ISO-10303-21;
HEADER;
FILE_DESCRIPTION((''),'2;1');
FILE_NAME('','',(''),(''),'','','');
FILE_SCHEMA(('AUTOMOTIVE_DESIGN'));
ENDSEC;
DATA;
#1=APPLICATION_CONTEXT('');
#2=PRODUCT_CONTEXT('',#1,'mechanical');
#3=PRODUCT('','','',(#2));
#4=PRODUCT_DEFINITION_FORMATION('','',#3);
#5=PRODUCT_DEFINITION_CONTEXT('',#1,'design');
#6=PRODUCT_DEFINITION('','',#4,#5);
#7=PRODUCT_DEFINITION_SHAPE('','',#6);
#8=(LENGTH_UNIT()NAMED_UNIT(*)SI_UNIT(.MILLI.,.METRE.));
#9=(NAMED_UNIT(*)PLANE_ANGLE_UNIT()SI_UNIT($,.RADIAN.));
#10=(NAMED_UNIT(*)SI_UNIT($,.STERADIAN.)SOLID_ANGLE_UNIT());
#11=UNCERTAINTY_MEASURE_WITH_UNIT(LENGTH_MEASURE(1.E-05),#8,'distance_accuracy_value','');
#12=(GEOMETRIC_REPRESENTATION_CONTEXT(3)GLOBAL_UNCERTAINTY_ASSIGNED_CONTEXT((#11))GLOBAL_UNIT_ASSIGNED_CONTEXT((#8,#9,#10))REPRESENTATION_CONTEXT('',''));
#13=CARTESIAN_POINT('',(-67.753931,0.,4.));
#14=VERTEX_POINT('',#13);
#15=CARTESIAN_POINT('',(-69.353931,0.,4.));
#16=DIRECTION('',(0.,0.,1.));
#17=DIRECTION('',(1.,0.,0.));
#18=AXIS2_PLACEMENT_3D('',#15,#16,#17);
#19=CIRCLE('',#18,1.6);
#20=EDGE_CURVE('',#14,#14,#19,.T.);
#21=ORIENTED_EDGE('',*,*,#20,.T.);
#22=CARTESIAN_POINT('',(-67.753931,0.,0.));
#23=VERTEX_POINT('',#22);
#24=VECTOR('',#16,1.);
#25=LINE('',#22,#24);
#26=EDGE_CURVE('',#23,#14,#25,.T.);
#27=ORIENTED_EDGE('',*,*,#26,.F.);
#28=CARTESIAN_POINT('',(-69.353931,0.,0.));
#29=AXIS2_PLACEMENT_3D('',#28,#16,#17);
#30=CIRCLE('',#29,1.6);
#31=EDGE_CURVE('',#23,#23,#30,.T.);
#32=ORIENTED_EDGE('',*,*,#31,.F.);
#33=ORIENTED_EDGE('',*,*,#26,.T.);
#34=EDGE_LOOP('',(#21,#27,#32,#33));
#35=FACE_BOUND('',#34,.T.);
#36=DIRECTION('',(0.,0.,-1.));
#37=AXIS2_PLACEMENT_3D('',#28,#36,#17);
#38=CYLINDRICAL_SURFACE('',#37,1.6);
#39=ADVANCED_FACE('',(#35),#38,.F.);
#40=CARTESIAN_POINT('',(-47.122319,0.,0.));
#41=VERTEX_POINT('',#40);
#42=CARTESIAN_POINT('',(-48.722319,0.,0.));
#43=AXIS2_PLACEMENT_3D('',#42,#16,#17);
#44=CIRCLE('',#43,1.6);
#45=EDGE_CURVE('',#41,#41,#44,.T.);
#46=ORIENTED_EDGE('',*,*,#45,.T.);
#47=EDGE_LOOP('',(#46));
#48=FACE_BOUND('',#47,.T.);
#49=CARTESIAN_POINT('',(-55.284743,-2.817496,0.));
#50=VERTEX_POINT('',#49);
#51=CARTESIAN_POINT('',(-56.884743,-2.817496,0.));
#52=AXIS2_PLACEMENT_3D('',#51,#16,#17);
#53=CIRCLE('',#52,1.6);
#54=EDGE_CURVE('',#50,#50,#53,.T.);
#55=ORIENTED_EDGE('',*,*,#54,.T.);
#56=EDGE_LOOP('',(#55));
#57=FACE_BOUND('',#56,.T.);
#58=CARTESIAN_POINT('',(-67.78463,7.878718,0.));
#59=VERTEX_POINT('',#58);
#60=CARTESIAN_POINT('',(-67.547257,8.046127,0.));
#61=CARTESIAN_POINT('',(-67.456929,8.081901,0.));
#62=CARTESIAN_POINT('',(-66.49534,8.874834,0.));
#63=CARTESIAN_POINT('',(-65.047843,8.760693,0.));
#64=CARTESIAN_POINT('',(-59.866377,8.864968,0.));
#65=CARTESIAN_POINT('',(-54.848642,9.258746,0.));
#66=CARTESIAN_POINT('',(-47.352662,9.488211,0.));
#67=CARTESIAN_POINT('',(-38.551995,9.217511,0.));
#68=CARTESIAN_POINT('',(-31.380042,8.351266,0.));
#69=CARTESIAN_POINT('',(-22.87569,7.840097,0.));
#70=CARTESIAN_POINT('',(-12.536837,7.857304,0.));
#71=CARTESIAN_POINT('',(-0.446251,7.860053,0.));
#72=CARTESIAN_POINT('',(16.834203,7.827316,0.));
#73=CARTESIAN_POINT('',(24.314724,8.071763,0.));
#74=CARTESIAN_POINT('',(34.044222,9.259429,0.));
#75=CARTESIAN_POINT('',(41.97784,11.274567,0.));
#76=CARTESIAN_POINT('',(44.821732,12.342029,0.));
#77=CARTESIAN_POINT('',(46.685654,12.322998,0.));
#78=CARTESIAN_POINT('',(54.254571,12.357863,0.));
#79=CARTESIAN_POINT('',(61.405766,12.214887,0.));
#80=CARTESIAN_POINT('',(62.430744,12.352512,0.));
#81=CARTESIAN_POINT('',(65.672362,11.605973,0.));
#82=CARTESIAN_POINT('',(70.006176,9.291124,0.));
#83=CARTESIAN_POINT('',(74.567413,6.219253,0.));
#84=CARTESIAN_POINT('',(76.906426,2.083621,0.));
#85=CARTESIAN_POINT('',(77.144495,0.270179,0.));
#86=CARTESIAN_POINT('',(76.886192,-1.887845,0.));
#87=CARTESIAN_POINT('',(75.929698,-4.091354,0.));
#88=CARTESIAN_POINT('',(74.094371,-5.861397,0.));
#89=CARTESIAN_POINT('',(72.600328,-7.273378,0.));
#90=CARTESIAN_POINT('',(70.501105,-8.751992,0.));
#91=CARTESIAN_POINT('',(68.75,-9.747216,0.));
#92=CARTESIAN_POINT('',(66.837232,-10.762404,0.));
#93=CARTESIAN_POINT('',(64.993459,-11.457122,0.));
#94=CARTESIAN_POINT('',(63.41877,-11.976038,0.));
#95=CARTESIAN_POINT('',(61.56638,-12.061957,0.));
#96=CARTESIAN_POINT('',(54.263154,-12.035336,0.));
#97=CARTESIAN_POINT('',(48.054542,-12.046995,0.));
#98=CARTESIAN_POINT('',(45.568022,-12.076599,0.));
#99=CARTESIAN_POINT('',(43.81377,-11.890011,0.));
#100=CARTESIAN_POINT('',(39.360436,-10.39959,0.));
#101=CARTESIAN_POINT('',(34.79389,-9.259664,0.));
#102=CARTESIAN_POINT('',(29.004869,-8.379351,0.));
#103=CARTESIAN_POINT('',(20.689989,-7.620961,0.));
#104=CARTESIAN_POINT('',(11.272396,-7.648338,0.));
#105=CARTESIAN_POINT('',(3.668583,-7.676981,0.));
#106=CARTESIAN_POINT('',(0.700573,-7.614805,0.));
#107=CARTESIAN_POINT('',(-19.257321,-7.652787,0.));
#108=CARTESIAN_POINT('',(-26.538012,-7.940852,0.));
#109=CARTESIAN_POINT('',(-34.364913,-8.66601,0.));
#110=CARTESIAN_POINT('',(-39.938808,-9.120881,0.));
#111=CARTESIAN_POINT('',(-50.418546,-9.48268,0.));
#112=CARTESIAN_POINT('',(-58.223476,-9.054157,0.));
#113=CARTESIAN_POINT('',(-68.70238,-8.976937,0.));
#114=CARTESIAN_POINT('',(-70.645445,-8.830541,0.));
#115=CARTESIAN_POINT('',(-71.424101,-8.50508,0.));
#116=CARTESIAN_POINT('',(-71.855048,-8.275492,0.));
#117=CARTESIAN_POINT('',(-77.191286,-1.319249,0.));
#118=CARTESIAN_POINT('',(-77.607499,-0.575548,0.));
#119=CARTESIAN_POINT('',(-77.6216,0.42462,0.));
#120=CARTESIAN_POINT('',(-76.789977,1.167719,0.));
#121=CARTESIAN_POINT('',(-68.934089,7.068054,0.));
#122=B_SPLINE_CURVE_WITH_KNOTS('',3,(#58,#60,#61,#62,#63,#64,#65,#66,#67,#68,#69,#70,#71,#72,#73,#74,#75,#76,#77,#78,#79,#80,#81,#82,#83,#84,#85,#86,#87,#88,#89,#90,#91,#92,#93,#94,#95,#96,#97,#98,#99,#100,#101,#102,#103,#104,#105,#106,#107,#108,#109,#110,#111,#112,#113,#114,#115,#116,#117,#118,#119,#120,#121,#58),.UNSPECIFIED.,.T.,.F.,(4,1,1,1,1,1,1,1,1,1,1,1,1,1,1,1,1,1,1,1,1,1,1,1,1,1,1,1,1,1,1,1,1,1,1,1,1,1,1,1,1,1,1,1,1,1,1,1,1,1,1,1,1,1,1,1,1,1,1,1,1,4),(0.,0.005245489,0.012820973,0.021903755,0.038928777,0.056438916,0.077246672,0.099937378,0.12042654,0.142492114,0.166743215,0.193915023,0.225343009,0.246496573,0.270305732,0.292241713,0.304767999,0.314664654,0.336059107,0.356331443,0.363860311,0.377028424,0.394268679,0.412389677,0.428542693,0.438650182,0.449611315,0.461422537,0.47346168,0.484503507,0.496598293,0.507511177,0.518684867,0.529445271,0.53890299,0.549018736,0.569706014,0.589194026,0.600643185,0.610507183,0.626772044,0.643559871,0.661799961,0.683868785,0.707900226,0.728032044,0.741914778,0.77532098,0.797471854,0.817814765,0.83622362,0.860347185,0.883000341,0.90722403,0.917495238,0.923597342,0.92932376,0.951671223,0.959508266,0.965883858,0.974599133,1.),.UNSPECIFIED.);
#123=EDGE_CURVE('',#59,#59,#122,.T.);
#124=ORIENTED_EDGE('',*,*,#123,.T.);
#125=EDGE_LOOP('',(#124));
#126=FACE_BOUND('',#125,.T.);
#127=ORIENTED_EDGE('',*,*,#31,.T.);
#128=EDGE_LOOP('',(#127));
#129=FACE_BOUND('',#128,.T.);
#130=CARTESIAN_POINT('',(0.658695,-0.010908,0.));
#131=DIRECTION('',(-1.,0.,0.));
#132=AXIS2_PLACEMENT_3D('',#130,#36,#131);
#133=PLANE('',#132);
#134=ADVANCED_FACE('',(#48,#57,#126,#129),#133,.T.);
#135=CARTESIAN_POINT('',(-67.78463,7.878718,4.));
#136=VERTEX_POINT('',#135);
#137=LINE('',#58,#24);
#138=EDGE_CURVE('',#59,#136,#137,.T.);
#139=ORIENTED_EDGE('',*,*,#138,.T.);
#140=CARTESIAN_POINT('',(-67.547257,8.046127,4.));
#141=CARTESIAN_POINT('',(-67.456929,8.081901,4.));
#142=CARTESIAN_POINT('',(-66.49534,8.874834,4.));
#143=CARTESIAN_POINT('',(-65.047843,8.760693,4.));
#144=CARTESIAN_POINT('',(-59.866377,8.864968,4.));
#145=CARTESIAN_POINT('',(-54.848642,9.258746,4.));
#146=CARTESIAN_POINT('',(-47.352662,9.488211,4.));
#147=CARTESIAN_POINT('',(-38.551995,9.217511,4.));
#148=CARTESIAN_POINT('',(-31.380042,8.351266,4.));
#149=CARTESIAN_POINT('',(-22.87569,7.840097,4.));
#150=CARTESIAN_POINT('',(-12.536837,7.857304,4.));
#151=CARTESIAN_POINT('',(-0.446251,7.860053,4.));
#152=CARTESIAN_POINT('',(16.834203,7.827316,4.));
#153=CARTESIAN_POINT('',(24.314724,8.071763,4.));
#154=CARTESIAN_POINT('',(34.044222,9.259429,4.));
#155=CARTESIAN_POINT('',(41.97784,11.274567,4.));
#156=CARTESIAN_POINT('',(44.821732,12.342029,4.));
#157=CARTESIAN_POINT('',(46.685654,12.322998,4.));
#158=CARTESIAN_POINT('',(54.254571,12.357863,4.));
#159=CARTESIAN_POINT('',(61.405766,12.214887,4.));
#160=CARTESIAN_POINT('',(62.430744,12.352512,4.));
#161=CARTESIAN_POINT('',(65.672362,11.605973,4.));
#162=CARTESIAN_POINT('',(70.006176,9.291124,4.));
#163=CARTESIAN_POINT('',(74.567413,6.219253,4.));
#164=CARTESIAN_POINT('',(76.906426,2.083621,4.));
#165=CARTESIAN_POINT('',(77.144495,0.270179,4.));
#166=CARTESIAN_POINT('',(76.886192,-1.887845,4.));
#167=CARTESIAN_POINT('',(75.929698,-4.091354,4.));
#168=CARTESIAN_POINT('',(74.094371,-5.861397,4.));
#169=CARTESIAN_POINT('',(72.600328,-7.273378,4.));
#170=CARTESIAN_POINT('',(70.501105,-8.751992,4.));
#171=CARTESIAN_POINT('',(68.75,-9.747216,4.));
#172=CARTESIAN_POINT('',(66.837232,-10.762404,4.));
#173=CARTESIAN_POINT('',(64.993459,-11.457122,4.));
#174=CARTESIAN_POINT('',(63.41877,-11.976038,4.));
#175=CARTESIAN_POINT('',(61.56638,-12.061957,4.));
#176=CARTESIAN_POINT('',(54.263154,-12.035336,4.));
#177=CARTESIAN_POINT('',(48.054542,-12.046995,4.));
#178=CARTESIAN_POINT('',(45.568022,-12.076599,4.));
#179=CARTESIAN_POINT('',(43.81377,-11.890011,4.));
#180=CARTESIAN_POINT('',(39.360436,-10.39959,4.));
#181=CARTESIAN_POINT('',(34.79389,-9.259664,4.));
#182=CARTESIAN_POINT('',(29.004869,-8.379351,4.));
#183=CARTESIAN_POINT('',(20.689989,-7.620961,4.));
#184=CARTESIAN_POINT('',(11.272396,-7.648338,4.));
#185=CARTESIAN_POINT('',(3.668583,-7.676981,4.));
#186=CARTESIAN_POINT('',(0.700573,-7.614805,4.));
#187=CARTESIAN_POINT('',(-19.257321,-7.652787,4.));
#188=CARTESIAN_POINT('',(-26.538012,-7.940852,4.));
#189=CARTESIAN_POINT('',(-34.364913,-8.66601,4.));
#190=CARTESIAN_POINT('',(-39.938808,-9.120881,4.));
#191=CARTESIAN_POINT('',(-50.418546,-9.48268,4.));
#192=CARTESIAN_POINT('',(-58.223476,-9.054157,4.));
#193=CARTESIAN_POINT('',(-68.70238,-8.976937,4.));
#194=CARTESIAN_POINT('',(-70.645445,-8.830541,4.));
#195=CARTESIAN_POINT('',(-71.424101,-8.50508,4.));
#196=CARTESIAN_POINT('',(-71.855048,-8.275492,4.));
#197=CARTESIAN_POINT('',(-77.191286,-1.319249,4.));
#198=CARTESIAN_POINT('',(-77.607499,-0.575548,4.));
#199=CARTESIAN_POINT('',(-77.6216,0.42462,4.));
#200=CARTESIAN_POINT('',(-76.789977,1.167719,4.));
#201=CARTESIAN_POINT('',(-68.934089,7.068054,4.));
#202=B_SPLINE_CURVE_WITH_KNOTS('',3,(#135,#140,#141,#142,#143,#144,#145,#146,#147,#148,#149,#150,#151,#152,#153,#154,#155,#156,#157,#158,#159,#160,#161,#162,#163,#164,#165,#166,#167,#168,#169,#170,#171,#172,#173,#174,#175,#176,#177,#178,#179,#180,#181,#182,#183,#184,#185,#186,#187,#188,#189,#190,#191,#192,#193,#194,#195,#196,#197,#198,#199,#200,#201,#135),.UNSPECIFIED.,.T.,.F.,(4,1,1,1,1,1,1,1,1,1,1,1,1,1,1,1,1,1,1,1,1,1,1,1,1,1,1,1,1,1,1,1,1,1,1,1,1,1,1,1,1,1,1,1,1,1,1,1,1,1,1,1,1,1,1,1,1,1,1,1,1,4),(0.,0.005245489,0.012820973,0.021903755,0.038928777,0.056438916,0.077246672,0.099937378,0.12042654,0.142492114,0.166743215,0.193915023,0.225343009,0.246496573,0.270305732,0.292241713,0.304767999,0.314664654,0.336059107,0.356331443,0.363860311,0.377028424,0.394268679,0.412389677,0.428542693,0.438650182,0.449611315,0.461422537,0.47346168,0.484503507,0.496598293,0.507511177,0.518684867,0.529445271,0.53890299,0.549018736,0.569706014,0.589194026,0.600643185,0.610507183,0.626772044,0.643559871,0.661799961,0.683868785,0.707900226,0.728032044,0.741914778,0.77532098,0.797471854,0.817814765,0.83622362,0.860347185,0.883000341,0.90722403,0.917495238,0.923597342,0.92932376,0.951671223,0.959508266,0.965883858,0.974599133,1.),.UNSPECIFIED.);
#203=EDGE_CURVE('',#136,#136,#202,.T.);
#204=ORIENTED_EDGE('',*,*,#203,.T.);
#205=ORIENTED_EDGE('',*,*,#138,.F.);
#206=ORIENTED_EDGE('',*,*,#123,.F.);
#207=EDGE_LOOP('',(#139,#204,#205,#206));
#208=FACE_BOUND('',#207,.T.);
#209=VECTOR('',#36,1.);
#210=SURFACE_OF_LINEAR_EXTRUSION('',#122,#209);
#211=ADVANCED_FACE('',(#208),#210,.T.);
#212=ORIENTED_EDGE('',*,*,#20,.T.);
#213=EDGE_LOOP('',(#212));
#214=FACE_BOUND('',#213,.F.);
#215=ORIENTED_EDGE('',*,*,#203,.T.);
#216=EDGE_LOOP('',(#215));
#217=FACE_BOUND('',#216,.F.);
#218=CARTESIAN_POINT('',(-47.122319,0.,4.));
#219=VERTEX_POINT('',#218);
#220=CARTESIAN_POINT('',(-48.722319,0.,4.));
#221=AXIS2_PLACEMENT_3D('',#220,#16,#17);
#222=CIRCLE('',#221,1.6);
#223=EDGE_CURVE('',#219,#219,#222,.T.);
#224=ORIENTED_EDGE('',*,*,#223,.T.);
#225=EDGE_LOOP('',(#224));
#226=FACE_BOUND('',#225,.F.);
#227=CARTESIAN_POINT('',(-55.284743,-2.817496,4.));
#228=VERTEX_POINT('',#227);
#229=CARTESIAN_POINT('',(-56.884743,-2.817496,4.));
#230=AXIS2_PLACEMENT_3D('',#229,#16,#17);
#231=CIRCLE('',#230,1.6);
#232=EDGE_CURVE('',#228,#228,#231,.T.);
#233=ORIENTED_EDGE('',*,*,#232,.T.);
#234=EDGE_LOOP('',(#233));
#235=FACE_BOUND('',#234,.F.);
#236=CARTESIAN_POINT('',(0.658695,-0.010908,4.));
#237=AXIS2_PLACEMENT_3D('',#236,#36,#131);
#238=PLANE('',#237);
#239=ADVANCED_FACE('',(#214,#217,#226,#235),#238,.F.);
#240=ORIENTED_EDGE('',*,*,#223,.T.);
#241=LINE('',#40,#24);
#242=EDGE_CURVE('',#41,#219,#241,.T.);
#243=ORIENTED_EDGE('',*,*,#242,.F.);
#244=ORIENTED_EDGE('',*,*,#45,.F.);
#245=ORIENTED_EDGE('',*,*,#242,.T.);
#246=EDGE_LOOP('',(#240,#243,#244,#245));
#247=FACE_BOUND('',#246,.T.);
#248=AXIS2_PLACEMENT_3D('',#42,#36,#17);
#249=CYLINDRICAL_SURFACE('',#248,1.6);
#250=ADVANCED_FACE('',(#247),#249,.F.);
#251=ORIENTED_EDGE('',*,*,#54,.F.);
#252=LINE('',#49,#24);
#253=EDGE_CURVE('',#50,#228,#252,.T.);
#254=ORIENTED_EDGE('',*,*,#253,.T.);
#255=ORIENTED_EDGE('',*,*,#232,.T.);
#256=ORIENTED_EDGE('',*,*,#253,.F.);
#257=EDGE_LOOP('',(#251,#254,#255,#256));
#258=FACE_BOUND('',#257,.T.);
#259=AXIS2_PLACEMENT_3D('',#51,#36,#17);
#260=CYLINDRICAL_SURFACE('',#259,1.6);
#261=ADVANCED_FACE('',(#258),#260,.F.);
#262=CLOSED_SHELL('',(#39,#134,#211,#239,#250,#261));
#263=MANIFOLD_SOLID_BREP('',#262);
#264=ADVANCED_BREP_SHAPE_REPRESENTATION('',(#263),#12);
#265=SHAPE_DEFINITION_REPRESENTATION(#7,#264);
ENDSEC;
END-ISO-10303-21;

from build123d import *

# Parameters (mm, degrees)
F1_R     = 1.6
F2_DEPTH = 4


with BuildPart() as f2:
    # F1 (on Top) → F2 (new body)
    with BuildSketch(Plane.XY):
        with BuildLine():
            add(Edge.make_bspline(
                [(-67.7846300052, 7.8787184763), (-67.5472572237, 8.0461274543), (-67.456928646, 8.0819010692), (-66.4953398296, 8.8748337097), (-65.0478426523, 8.760692807), (-59.8663770002, 8.8649681938), (-54.8486422575, 9.2587462651), (-47.3526618817, 9.4882106445), (-38.5519947494, 9.2175107683), (-31.3800423987, 8.3512661737), (-22.8756902867, 7.8400972455), (-12.5368369225, 7.857304236), (-0.4462505951, 7.8600527886), (16.8342030036, 7.8273159392), (24.3147241438, 8.0717626409), (34.0442222718, 9.2594292442), (41.9778399942, 11.2745669709), (44.8217316537, 12.3420289262), (46.6856535259, 12.3229983446), (54.2545705716, 12.3578632342), (61.4057655788, 12.2148867006), (62.4307437841, 12.3525115885), (65.672361766, 11.6059727569), (70.0061763313, 9.2911235591), (74.5674132532, 6.2192526651), (76.9064258328, 2.0836207162), (77.14449461, 0.2701793809), (76.8861924233, -1.8878447979), (75.9296983618, -4.091354314), (74.0943709525, -5.8613971311), (72.6003278903, -7.2733780168), (70.5011051137, -8.751992295), (68.7499996413, -9.7472157947), (66.8372317248, -10.7624040996), (64.9934593774, -11.4571216113), (63.4187695538, -11.9760380945), (61.5663804128, -12.0619566242), (54.2631536703, -12.0353363084), (48.0545418222, -12.0469954319), (45.5680224197, -12.0765987457), (43.8137703932, -11.8900112719), (39.3604363406, -10.3995895136), (34.7938899726, -9.2596636492), (29.004868598, -8.3793506289), (20.6899894982, -7.6209614306), (11.272396069, -7.6483375857), (3.6685827304, -7.6769814845), (0.7005728331, -7.6148053674), (-19.2573211718, -7.6527869572), (-26.5380120206, -7.9408516899), (-34.3649127586, -8.6660102828), (-39.9388076378, -9.1208807092), (-50.4185462343, -9.4826800546), (-58.223475762, -9.0541571099), (-68.7023801265, -8.9769371824), (-70.6454446753, -8.830541416), (-71.4241014288, -8.5050799483), (-71.8550475107, -8.2754919643), (-77.1912860923, -1.3192488746), (-77.6074992342, -0.5755481073), (-77.6216004887, 0.4246204261), (-76.7899773793, 1.1677189734), (-68.9340890558, 7.0680536488), (-67.7846300052, 7.8787184763)],
                knots=[0, 0, 0, 0, 0.0052454886, 0.012820973, 0.0219037551, 0.0389287772, 0.0564389159, 0.0772466718, 0.0999373776, 0.1204265405, 0.1424921143, 0.1667432151, 0.1939150227, 0.2253430087, 0.2464965731, 0.2703057319, 0.2922417129, 0.3047679993, 0.3146646545, 0.3360591068, 0.3563314432, 0.3638603111, 0.3770284241, 0.3942686791, 0.4123896769, 0.4285426928, 0.4386501822, 0.4496113152, 0.4614225366, 0.4734616797, 0.4845035068, 0.4965982932, 0.507511177, 0.5186848666, 0.5294452712, 0.5389029903, 0.5490187356, 0.5697060143, 0.589194026, 0.6006431851, 0.6105071827, 0.6267720443, 0.643559871, 0.6617999609, 0.6838687853, 0.707900226, 0.7280320444, 0.7419147783, 0.7753209796, 0.797471854, 0.8178147648, 0.8362236202, 0.8603471851, 0.8830003413, 0.9072240295, 0.9174952381, 0.9235973421, 0.9293237605, 0.951671223, 0.9595082656, 0.965883858, 0.9745991334, 1, 1, 1, 1], degree=3))
        make_face()
        with Locations((-69.3539306521, 0)):
            Circle(F1_R, mode=Mode.SUBTRACT)
        with Locations((-56.8847432733, -2.8174959589)):
            Circle(F1_R, mode=Mode.SUBTRACT)
        with Locations((-48.7223193049, 0)):
            Circle(F1_R, mode=Mode.SUBTRACT)
    extrude(amount=F2_DEPTH)


solid = f2.part
